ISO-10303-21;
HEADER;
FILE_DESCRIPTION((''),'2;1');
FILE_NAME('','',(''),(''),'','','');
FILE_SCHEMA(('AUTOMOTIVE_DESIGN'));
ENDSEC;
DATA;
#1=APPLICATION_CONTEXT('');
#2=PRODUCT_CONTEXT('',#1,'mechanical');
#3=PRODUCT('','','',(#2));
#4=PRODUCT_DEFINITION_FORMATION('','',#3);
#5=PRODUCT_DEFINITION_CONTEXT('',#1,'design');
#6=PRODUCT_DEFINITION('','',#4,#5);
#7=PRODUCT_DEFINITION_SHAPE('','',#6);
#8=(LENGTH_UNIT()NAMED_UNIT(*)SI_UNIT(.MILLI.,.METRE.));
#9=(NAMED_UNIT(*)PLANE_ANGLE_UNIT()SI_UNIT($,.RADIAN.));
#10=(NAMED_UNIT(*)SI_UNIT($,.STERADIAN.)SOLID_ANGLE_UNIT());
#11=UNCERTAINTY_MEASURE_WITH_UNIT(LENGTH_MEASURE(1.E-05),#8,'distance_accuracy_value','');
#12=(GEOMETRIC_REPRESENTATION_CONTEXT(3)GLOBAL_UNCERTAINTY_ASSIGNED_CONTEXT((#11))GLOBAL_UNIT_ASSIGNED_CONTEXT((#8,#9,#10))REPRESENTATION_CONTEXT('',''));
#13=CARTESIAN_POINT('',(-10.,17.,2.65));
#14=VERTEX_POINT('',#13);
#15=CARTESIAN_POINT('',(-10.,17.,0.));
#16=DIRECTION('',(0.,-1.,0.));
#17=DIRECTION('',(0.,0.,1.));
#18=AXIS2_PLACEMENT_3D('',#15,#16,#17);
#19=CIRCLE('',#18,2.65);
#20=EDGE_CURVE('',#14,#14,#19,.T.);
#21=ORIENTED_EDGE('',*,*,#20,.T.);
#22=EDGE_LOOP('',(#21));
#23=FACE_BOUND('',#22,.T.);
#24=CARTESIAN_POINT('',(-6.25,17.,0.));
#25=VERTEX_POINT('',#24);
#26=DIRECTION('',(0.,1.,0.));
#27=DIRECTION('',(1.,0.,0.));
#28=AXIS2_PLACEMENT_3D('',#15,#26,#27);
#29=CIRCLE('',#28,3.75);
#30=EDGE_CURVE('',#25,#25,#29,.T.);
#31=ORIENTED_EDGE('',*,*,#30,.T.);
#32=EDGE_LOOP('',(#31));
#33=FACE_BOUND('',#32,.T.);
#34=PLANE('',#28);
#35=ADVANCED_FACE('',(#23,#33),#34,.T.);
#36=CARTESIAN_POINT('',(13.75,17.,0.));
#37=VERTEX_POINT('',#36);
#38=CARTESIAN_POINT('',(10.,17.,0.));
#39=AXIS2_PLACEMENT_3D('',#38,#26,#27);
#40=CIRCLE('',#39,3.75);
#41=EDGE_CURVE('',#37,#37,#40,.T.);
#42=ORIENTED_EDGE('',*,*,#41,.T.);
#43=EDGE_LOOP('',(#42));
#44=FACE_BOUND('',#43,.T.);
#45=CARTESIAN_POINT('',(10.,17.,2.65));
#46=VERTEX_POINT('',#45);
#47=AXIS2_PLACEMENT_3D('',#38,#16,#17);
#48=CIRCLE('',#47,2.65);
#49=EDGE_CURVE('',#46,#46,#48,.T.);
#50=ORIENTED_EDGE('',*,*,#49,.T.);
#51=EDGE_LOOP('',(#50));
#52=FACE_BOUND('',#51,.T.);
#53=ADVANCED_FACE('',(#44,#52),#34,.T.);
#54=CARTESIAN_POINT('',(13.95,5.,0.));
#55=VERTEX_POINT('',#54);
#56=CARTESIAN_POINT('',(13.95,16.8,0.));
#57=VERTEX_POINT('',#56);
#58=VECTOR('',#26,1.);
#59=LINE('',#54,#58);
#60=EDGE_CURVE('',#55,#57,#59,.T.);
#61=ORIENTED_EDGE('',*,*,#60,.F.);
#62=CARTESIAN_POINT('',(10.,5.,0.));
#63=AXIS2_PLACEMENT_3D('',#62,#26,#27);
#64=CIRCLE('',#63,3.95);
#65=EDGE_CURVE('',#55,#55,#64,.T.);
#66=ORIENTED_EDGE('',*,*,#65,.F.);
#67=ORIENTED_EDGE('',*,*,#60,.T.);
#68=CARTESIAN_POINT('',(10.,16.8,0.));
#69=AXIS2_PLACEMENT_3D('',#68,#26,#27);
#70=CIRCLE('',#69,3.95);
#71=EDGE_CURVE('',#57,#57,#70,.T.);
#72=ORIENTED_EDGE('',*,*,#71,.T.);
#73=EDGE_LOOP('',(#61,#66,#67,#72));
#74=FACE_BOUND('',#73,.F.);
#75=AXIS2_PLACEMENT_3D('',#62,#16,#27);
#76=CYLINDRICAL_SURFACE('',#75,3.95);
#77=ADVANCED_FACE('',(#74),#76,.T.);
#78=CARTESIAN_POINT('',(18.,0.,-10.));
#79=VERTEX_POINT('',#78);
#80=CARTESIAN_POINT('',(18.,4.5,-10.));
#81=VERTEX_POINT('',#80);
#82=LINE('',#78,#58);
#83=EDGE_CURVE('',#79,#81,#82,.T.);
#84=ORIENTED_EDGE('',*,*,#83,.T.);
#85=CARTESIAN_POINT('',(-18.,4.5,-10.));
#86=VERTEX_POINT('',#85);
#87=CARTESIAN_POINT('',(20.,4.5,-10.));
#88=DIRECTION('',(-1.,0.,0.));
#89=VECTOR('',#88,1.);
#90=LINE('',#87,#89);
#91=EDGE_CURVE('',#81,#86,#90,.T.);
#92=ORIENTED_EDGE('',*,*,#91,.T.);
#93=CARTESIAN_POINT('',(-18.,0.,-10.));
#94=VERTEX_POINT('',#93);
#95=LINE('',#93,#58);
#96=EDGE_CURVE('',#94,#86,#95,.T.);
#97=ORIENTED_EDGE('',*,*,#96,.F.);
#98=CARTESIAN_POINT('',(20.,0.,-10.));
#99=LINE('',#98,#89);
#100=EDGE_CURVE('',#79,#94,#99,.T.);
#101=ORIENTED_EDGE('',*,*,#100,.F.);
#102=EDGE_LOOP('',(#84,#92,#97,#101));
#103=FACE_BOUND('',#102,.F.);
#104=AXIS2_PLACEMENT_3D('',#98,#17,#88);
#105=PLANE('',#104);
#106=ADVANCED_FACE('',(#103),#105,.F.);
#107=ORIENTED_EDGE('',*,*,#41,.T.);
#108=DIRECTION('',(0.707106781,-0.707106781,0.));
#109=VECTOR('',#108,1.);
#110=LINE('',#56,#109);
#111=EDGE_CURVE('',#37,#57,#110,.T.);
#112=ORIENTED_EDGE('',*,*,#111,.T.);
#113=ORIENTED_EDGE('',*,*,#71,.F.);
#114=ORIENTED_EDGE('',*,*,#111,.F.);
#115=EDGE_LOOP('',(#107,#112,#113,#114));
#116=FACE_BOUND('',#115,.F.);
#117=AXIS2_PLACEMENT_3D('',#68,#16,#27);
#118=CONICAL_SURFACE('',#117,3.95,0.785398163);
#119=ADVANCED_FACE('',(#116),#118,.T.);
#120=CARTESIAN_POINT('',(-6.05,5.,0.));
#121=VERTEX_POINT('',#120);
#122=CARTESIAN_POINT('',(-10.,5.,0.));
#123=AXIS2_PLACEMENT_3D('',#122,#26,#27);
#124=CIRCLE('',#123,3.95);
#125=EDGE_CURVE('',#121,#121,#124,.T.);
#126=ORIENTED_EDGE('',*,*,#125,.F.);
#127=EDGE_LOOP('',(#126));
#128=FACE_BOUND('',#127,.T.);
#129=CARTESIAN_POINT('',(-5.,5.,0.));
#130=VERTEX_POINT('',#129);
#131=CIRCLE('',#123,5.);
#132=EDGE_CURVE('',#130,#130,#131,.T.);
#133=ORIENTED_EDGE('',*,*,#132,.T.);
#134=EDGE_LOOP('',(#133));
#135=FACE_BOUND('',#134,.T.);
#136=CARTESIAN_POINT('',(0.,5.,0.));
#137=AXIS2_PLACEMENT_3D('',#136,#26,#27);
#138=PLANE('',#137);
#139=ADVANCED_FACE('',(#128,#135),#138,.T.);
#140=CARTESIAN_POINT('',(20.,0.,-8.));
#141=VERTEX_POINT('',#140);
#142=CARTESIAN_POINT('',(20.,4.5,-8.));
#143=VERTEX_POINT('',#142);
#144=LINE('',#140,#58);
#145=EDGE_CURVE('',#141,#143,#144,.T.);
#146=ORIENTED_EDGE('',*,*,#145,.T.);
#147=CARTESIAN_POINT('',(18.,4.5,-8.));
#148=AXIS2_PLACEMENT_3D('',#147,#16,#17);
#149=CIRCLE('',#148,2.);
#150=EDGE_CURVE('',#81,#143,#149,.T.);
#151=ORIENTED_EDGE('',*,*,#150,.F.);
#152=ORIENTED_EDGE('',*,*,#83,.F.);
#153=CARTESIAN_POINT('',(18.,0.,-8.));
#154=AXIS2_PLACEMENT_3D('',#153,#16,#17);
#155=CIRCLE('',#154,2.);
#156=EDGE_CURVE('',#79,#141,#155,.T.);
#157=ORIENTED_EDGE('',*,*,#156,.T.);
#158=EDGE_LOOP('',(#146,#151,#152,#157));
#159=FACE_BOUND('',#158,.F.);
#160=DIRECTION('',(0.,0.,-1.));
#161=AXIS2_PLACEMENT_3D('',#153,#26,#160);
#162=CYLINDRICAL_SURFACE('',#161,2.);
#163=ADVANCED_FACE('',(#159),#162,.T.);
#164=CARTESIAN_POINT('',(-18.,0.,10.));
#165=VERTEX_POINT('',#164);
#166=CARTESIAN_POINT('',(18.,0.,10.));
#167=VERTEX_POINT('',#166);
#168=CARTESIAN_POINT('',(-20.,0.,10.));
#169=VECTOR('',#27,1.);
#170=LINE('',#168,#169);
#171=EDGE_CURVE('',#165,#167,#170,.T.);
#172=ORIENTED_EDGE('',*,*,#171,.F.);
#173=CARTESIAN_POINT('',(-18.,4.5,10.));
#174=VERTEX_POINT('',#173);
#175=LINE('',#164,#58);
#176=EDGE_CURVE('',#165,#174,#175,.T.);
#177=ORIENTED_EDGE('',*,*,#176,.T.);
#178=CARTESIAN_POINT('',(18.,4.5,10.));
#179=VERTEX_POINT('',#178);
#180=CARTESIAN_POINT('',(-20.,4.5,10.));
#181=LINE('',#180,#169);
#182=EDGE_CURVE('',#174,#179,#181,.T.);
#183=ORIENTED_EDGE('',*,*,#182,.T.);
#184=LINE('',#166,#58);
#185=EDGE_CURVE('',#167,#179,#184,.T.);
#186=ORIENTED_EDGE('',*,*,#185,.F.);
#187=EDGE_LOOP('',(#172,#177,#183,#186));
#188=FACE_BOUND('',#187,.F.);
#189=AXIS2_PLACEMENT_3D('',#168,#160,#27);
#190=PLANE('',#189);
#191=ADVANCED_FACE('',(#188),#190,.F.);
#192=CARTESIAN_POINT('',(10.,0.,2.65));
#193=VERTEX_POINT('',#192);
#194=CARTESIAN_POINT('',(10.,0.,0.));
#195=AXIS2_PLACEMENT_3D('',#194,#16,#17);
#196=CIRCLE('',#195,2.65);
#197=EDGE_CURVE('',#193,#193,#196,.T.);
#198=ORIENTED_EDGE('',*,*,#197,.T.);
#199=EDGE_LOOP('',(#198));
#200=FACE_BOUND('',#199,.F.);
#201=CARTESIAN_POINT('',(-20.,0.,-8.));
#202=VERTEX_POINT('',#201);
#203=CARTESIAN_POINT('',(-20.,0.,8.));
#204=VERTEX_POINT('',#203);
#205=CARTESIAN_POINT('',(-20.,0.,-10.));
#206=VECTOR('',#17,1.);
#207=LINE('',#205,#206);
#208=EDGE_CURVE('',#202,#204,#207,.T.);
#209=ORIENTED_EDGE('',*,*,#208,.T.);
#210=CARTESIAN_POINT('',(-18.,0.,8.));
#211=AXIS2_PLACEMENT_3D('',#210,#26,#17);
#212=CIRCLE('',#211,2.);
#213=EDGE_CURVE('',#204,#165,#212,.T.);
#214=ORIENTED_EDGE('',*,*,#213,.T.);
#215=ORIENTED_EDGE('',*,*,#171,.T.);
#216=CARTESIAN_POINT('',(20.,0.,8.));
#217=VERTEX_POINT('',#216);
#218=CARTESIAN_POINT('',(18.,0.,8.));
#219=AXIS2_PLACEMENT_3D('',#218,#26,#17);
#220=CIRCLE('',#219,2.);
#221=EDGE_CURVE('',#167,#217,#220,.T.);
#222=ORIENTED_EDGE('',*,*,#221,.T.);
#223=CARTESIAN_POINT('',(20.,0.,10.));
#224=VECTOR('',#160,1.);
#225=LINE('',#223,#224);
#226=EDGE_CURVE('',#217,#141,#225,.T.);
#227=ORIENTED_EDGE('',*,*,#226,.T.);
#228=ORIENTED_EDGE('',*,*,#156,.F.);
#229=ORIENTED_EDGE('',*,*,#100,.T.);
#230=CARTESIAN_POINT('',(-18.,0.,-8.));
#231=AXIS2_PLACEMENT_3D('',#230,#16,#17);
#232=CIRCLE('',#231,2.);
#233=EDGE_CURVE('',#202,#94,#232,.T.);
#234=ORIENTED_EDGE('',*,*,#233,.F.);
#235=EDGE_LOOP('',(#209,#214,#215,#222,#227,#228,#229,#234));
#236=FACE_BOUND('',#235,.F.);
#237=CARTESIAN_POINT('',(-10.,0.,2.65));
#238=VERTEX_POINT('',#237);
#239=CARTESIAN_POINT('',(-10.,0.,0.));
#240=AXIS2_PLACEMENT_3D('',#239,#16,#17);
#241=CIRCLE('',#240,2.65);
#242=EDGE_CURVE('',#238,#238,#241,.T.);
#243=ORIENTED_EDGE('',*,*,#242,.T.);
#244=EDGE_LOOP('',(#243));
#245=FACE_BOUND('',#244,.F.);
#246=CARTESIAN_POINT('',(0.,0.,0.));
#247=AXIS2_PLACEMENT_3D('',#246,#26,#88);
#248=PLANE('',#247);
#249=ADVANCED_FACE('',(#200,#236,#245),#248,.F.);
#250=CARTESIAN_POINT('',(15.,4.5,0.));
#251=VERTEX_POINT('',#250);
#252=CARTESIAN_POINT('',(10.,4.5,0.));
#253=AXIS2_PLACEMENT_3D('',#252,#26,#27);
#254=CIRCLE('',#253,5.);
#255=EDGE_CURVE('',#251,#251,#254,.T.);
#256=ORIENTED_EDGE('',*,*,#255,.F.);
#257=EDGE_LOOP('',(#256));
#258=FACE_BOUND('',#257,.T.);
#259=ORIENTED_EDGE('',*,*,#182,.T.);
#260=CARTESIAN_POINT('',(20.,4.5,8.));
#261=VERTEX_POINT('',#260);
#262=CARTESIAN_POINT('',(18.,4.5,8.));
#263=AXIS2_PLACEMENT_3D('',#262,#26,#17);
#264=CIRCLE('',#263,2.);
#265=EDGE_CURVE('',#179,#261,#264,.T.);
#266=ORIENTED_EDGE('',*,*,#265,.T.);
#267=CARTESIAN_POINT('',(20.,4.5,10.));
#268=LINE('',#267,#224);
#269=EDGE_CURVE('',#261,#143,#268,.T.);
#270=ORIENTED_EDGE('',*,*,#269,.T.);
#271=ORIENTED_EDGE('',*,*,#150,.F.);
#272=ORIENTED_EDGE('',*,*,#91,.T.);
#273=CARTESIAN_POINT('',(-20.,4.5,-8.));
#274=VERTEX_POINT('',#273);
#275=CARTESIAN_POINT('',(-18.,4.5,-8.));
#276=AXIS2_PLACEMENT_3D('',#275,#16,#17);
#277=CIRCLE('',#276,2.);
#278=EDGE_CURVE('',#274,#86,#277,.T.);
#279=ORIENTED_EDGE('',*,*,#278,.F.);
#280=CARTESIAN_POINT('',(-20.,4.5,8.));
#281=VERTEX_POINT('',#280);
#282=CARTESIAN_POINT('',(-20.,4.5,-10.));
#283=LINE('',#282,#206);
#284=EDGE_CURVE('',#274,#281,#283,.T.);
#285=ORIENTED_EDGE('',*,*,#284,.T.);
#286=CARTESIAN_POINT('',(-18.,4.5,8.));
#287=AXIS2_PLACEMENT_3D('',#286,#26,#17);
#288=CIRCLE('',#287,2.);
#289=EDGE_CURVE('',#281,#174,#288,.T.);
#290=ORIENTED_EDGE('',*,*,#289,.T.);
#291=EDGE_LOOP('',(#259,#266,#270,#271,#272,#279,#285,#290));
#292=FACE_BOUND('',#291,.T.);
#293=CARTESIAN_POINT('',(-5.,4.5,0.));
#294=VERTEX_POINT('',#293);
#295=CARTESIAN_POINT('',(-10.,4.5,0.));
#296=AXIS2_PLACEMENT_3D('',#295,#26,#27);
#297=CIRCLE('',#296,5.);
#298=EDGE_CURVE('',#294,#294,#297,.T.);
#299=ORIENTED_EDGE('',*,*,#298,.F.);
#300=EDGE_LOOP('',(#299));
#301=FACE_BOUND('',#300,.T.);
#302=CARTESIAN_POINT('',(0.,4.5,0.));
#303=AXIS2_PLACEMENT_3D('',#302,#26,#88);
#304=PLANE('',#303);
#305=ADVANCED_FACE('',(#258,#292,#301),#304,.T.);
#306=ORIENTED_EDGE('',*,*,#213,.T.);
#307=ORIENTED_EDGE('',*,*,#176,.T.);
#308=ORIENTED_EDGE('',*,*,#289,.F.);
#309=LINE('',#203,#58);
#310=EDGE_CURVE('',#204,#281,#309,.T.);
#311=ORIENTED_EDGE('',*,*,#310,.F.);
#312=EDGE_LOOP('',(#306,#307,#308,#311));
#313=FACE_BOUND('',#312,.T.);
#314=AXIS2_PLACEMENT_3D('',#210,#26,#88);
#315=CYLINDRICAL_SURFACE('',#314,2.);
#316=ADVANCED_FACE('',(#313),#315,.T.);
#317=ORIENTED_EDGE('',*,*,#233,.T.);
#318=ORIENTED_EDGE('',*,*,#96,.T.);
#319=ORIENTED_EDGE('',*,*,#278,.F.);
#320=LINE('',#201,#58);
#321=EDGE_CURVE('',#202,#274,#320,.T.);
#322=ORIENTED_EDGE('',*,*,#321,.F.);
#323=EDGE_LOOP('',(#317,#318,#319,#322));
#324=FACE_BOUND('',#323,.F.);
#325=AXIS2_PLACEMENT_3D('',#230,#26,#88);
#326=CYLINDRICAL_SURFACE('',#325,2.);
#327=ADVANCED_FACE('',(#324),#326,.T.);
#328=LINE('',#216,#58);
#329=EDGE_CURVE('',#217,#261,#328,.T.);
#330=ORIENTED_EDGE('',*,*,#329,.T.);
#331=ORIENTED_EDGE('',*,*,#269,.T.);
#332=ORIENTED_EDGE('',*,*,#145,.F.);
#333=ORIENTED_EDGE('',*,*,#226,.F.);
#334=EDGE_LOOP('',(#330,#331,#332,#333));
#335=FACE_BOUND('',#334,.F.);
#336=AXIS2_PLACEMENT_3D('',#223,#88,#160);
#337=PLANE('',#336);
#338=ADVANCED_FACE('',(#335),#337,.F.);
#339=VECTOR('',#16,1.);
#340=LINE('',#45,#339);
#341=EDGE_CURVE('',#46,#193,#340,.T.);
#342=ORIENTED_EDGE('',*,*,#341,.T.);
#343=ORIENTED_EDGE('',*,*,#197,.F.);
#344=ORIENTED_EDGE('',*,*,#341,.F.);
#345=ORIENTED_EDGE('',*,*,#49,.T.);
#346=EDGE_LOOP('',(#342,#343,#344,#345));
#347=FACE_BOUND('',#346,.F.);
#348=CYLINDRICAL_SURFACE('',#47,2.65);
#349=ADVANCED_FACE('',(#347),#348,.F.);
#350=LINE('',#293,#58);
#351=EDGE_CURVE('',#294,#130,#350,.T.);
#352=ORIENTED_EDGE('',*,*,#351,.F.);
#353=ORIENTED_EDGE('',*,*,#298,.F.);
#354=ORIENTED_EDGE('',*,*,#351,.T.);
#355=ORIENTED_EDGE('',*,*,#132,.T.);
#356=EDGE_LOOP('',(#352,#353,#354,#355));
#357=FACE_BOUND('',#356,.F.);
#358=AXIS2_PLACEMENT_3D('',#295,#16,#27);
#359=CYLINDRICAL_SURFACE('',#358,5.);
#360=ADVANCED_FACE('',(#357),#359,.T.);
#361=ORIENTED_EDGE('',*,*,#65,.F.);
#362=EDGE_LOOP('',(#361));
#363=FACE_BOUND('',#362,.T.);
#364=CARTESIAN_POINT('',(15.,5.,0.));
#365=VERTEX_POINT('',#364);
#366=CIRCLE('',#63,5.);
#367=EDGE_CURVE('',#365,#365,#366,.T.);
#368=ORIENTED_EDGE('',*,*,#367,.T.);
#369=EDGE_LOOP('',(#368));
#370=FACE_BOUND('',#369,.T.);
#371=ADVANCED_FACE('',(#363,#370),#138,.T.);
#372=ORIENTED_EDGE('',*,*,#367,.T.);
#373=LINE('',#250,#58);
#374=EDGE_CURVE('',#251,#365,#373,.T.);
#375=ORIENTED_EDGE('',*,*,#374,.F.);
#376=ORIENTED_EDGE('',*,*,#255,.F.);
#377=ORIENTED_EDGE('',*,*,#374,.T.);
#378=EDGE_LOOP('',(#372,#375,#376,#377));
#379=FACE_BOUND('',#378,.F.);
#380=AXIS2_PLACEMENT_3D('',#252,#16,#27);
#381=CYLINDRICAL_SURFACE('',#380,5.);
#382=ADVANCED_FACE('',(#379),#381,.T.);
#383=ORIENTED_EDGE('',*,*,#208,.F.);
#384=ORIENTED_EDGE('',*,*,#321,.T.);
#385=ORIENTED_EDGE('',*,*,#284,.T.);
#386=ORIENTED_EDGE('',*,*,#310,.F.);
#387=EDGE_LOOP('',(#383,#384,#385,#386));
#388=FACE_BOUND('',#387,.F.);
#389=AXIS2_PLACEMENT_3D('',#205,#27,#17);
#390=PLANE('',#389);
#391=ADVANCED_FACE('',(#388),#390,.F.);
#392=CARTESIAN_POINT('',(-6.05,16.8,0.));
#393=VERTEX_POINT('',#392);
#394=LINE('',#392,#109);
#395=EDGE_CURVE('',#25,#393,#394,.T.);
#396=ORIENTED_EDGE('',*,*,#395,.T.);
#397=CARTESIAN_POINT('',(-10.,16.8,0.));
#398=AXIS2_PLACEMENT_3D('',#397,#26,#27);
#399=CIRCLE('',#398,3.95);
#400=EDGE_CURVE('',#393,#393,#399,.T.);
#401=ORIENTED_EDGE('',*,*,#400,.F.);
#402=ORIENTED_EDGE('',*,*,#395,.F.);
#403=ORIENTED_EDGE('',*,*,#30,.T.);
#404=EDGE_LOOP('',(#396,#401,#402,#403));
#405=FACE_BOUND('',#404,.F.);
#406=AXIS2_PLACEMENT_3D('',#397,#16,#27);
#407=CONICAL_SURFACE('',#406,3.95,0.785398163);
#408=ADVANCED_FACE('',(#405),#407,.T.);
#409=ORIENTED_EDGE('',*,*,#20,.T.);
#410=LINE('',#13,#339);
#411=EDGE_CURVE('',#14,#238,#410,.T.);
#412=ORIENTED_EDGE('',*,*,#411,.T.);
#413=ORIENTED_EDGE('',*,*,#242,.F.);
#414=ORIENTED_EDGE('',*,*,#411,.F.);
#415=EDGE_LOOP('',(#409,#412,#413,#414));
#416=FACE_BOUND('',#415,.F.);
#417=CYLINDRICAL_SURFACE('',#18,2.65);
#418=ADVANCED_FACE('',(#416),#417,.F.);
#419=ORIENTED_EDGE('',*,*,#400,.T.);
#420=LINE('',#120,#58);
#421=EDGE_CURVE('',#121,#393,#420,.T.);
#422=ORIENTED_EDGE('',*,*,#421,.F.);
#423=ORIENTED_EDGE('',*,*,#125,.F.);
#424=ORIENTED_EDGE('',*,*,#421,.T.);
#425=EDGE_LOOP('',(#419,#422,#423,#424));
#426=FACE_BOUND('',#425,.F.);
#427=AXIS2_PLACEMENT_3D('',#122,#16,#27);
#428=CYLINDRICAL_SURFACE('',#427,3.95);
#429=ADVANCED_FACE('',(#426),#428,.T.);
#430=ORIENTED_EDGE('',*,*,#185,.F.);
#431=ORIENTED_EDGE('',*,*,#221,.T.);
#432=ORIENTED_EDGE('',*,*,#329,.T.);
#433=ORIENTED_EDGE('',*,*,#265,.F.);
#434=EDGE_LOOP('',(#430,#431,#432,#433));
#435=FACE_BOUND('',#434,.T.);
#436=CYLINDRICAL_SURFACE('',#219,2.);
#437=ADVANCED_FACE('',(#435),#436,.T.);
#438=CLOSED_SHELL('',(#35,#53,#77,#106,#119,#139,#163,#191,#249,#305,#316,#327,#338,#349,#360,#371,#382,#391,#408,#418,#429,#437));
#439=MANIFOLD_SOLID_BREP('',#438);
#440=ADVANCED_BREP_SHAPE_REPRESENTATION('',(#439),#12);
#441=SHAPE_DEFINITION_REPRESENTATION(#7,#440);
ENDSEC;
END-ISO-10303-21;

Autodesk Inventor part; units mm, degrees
ref_plane "YZ Plane" through (0, 0, 0) normal (1, 0, 0) x (0, 1, 0)
ref_plane "XZ Plane" through (0, 0, 0) normal (0, 1, 0) x (-1, 0, 0)
ref_plane "XY Plane" through (0, 0, 0) normal (0, 0, 1) x (1, 0, 0)
sketch "スケッチ1" plane through (0, 0, 0) normal (0, 1, 0) x (-1, 0, 0)
  line L0 (20, 10) -> (-20, 10)
  line L1 (-20, 10) -> (-20, -10)
  line L2 (-20, -10) -> (20, -10)
  line L3 (20, -10) -> (20, 10)
  line L4 (20, 10) -> (-20, -10) construction
  line L5 (-20, 10) -> (20, -10) construction
  point P0 (0, 0)
  dimension "d0" = 40
  dimension "d1" = 20
extrude "押し出し1" add sketch "スケッチ1" along normal blind 4.5
sketch "スケッチ2" plane through (0, 4.5, 0) normal (0, 1, 0) x (1, 0, 0)
  circle A0 centre (-10, 0) radius 5
  circle A1 centre (10, 0) radius 5
  point P0 (0, 0)
  dimension "d4" = 10
  dimension "d5" = 10
  dimension "d6" = 10
  dimension "d7" = 10
extrude "押し出し2" add sketch "スケッチ2" along normal blind 0.5
sketch "スケッチ3" plane through (-10, 5, 0) normal (0, 1, 0) x (1, 0, 0)
  circle A0 centre (0, 0) radius 5 projected
  circle A1 centre (20, 0) radius 5 projected
  circle A2 centre (0, 0) radius 3.95
  circle A3 centre (20, 0) radius 3.95
  point P0 (10, 0)
  dimension "d10" = 7.9
  dimension "d11" = 7.9
extrude "押し出し3" add sketch "スケッチ3" along normal blind 12 contours A2 | A3
sketch "スケッチ5" plane through (-10, 17, 0) normal (0, 1, 0) x (1, 0, 0)
  circle A0 centre (0, 0) radius 3.95 projected
  circle A1 centre (20, 0) radius 3.95 projected
  point P0 (10, 0)
hole "穴2" at (10, 17, 0) at (-10, 17, 0) direction (0, -1, 0) diameter 5.3 end through all clearance for "Socket Head Cap Screw" size "M5" standard "Ansi Metric M Profile"
chamfer "面取り2" distance 0.2 angle 45 2 edges at (-13.95, 17, 0) (6.05, 17, 0)
fillet "フィレット2" radius 2 4 edges at (20, 2.25, 10) (20, 2.25, -10) (-20, 2.25, 10) (-20, 2.25, -10)
equation "\"d5\" = d4"
equation "\"d11\" = d10"
properties part number "scara-base4" material "ABS プラスチック"
